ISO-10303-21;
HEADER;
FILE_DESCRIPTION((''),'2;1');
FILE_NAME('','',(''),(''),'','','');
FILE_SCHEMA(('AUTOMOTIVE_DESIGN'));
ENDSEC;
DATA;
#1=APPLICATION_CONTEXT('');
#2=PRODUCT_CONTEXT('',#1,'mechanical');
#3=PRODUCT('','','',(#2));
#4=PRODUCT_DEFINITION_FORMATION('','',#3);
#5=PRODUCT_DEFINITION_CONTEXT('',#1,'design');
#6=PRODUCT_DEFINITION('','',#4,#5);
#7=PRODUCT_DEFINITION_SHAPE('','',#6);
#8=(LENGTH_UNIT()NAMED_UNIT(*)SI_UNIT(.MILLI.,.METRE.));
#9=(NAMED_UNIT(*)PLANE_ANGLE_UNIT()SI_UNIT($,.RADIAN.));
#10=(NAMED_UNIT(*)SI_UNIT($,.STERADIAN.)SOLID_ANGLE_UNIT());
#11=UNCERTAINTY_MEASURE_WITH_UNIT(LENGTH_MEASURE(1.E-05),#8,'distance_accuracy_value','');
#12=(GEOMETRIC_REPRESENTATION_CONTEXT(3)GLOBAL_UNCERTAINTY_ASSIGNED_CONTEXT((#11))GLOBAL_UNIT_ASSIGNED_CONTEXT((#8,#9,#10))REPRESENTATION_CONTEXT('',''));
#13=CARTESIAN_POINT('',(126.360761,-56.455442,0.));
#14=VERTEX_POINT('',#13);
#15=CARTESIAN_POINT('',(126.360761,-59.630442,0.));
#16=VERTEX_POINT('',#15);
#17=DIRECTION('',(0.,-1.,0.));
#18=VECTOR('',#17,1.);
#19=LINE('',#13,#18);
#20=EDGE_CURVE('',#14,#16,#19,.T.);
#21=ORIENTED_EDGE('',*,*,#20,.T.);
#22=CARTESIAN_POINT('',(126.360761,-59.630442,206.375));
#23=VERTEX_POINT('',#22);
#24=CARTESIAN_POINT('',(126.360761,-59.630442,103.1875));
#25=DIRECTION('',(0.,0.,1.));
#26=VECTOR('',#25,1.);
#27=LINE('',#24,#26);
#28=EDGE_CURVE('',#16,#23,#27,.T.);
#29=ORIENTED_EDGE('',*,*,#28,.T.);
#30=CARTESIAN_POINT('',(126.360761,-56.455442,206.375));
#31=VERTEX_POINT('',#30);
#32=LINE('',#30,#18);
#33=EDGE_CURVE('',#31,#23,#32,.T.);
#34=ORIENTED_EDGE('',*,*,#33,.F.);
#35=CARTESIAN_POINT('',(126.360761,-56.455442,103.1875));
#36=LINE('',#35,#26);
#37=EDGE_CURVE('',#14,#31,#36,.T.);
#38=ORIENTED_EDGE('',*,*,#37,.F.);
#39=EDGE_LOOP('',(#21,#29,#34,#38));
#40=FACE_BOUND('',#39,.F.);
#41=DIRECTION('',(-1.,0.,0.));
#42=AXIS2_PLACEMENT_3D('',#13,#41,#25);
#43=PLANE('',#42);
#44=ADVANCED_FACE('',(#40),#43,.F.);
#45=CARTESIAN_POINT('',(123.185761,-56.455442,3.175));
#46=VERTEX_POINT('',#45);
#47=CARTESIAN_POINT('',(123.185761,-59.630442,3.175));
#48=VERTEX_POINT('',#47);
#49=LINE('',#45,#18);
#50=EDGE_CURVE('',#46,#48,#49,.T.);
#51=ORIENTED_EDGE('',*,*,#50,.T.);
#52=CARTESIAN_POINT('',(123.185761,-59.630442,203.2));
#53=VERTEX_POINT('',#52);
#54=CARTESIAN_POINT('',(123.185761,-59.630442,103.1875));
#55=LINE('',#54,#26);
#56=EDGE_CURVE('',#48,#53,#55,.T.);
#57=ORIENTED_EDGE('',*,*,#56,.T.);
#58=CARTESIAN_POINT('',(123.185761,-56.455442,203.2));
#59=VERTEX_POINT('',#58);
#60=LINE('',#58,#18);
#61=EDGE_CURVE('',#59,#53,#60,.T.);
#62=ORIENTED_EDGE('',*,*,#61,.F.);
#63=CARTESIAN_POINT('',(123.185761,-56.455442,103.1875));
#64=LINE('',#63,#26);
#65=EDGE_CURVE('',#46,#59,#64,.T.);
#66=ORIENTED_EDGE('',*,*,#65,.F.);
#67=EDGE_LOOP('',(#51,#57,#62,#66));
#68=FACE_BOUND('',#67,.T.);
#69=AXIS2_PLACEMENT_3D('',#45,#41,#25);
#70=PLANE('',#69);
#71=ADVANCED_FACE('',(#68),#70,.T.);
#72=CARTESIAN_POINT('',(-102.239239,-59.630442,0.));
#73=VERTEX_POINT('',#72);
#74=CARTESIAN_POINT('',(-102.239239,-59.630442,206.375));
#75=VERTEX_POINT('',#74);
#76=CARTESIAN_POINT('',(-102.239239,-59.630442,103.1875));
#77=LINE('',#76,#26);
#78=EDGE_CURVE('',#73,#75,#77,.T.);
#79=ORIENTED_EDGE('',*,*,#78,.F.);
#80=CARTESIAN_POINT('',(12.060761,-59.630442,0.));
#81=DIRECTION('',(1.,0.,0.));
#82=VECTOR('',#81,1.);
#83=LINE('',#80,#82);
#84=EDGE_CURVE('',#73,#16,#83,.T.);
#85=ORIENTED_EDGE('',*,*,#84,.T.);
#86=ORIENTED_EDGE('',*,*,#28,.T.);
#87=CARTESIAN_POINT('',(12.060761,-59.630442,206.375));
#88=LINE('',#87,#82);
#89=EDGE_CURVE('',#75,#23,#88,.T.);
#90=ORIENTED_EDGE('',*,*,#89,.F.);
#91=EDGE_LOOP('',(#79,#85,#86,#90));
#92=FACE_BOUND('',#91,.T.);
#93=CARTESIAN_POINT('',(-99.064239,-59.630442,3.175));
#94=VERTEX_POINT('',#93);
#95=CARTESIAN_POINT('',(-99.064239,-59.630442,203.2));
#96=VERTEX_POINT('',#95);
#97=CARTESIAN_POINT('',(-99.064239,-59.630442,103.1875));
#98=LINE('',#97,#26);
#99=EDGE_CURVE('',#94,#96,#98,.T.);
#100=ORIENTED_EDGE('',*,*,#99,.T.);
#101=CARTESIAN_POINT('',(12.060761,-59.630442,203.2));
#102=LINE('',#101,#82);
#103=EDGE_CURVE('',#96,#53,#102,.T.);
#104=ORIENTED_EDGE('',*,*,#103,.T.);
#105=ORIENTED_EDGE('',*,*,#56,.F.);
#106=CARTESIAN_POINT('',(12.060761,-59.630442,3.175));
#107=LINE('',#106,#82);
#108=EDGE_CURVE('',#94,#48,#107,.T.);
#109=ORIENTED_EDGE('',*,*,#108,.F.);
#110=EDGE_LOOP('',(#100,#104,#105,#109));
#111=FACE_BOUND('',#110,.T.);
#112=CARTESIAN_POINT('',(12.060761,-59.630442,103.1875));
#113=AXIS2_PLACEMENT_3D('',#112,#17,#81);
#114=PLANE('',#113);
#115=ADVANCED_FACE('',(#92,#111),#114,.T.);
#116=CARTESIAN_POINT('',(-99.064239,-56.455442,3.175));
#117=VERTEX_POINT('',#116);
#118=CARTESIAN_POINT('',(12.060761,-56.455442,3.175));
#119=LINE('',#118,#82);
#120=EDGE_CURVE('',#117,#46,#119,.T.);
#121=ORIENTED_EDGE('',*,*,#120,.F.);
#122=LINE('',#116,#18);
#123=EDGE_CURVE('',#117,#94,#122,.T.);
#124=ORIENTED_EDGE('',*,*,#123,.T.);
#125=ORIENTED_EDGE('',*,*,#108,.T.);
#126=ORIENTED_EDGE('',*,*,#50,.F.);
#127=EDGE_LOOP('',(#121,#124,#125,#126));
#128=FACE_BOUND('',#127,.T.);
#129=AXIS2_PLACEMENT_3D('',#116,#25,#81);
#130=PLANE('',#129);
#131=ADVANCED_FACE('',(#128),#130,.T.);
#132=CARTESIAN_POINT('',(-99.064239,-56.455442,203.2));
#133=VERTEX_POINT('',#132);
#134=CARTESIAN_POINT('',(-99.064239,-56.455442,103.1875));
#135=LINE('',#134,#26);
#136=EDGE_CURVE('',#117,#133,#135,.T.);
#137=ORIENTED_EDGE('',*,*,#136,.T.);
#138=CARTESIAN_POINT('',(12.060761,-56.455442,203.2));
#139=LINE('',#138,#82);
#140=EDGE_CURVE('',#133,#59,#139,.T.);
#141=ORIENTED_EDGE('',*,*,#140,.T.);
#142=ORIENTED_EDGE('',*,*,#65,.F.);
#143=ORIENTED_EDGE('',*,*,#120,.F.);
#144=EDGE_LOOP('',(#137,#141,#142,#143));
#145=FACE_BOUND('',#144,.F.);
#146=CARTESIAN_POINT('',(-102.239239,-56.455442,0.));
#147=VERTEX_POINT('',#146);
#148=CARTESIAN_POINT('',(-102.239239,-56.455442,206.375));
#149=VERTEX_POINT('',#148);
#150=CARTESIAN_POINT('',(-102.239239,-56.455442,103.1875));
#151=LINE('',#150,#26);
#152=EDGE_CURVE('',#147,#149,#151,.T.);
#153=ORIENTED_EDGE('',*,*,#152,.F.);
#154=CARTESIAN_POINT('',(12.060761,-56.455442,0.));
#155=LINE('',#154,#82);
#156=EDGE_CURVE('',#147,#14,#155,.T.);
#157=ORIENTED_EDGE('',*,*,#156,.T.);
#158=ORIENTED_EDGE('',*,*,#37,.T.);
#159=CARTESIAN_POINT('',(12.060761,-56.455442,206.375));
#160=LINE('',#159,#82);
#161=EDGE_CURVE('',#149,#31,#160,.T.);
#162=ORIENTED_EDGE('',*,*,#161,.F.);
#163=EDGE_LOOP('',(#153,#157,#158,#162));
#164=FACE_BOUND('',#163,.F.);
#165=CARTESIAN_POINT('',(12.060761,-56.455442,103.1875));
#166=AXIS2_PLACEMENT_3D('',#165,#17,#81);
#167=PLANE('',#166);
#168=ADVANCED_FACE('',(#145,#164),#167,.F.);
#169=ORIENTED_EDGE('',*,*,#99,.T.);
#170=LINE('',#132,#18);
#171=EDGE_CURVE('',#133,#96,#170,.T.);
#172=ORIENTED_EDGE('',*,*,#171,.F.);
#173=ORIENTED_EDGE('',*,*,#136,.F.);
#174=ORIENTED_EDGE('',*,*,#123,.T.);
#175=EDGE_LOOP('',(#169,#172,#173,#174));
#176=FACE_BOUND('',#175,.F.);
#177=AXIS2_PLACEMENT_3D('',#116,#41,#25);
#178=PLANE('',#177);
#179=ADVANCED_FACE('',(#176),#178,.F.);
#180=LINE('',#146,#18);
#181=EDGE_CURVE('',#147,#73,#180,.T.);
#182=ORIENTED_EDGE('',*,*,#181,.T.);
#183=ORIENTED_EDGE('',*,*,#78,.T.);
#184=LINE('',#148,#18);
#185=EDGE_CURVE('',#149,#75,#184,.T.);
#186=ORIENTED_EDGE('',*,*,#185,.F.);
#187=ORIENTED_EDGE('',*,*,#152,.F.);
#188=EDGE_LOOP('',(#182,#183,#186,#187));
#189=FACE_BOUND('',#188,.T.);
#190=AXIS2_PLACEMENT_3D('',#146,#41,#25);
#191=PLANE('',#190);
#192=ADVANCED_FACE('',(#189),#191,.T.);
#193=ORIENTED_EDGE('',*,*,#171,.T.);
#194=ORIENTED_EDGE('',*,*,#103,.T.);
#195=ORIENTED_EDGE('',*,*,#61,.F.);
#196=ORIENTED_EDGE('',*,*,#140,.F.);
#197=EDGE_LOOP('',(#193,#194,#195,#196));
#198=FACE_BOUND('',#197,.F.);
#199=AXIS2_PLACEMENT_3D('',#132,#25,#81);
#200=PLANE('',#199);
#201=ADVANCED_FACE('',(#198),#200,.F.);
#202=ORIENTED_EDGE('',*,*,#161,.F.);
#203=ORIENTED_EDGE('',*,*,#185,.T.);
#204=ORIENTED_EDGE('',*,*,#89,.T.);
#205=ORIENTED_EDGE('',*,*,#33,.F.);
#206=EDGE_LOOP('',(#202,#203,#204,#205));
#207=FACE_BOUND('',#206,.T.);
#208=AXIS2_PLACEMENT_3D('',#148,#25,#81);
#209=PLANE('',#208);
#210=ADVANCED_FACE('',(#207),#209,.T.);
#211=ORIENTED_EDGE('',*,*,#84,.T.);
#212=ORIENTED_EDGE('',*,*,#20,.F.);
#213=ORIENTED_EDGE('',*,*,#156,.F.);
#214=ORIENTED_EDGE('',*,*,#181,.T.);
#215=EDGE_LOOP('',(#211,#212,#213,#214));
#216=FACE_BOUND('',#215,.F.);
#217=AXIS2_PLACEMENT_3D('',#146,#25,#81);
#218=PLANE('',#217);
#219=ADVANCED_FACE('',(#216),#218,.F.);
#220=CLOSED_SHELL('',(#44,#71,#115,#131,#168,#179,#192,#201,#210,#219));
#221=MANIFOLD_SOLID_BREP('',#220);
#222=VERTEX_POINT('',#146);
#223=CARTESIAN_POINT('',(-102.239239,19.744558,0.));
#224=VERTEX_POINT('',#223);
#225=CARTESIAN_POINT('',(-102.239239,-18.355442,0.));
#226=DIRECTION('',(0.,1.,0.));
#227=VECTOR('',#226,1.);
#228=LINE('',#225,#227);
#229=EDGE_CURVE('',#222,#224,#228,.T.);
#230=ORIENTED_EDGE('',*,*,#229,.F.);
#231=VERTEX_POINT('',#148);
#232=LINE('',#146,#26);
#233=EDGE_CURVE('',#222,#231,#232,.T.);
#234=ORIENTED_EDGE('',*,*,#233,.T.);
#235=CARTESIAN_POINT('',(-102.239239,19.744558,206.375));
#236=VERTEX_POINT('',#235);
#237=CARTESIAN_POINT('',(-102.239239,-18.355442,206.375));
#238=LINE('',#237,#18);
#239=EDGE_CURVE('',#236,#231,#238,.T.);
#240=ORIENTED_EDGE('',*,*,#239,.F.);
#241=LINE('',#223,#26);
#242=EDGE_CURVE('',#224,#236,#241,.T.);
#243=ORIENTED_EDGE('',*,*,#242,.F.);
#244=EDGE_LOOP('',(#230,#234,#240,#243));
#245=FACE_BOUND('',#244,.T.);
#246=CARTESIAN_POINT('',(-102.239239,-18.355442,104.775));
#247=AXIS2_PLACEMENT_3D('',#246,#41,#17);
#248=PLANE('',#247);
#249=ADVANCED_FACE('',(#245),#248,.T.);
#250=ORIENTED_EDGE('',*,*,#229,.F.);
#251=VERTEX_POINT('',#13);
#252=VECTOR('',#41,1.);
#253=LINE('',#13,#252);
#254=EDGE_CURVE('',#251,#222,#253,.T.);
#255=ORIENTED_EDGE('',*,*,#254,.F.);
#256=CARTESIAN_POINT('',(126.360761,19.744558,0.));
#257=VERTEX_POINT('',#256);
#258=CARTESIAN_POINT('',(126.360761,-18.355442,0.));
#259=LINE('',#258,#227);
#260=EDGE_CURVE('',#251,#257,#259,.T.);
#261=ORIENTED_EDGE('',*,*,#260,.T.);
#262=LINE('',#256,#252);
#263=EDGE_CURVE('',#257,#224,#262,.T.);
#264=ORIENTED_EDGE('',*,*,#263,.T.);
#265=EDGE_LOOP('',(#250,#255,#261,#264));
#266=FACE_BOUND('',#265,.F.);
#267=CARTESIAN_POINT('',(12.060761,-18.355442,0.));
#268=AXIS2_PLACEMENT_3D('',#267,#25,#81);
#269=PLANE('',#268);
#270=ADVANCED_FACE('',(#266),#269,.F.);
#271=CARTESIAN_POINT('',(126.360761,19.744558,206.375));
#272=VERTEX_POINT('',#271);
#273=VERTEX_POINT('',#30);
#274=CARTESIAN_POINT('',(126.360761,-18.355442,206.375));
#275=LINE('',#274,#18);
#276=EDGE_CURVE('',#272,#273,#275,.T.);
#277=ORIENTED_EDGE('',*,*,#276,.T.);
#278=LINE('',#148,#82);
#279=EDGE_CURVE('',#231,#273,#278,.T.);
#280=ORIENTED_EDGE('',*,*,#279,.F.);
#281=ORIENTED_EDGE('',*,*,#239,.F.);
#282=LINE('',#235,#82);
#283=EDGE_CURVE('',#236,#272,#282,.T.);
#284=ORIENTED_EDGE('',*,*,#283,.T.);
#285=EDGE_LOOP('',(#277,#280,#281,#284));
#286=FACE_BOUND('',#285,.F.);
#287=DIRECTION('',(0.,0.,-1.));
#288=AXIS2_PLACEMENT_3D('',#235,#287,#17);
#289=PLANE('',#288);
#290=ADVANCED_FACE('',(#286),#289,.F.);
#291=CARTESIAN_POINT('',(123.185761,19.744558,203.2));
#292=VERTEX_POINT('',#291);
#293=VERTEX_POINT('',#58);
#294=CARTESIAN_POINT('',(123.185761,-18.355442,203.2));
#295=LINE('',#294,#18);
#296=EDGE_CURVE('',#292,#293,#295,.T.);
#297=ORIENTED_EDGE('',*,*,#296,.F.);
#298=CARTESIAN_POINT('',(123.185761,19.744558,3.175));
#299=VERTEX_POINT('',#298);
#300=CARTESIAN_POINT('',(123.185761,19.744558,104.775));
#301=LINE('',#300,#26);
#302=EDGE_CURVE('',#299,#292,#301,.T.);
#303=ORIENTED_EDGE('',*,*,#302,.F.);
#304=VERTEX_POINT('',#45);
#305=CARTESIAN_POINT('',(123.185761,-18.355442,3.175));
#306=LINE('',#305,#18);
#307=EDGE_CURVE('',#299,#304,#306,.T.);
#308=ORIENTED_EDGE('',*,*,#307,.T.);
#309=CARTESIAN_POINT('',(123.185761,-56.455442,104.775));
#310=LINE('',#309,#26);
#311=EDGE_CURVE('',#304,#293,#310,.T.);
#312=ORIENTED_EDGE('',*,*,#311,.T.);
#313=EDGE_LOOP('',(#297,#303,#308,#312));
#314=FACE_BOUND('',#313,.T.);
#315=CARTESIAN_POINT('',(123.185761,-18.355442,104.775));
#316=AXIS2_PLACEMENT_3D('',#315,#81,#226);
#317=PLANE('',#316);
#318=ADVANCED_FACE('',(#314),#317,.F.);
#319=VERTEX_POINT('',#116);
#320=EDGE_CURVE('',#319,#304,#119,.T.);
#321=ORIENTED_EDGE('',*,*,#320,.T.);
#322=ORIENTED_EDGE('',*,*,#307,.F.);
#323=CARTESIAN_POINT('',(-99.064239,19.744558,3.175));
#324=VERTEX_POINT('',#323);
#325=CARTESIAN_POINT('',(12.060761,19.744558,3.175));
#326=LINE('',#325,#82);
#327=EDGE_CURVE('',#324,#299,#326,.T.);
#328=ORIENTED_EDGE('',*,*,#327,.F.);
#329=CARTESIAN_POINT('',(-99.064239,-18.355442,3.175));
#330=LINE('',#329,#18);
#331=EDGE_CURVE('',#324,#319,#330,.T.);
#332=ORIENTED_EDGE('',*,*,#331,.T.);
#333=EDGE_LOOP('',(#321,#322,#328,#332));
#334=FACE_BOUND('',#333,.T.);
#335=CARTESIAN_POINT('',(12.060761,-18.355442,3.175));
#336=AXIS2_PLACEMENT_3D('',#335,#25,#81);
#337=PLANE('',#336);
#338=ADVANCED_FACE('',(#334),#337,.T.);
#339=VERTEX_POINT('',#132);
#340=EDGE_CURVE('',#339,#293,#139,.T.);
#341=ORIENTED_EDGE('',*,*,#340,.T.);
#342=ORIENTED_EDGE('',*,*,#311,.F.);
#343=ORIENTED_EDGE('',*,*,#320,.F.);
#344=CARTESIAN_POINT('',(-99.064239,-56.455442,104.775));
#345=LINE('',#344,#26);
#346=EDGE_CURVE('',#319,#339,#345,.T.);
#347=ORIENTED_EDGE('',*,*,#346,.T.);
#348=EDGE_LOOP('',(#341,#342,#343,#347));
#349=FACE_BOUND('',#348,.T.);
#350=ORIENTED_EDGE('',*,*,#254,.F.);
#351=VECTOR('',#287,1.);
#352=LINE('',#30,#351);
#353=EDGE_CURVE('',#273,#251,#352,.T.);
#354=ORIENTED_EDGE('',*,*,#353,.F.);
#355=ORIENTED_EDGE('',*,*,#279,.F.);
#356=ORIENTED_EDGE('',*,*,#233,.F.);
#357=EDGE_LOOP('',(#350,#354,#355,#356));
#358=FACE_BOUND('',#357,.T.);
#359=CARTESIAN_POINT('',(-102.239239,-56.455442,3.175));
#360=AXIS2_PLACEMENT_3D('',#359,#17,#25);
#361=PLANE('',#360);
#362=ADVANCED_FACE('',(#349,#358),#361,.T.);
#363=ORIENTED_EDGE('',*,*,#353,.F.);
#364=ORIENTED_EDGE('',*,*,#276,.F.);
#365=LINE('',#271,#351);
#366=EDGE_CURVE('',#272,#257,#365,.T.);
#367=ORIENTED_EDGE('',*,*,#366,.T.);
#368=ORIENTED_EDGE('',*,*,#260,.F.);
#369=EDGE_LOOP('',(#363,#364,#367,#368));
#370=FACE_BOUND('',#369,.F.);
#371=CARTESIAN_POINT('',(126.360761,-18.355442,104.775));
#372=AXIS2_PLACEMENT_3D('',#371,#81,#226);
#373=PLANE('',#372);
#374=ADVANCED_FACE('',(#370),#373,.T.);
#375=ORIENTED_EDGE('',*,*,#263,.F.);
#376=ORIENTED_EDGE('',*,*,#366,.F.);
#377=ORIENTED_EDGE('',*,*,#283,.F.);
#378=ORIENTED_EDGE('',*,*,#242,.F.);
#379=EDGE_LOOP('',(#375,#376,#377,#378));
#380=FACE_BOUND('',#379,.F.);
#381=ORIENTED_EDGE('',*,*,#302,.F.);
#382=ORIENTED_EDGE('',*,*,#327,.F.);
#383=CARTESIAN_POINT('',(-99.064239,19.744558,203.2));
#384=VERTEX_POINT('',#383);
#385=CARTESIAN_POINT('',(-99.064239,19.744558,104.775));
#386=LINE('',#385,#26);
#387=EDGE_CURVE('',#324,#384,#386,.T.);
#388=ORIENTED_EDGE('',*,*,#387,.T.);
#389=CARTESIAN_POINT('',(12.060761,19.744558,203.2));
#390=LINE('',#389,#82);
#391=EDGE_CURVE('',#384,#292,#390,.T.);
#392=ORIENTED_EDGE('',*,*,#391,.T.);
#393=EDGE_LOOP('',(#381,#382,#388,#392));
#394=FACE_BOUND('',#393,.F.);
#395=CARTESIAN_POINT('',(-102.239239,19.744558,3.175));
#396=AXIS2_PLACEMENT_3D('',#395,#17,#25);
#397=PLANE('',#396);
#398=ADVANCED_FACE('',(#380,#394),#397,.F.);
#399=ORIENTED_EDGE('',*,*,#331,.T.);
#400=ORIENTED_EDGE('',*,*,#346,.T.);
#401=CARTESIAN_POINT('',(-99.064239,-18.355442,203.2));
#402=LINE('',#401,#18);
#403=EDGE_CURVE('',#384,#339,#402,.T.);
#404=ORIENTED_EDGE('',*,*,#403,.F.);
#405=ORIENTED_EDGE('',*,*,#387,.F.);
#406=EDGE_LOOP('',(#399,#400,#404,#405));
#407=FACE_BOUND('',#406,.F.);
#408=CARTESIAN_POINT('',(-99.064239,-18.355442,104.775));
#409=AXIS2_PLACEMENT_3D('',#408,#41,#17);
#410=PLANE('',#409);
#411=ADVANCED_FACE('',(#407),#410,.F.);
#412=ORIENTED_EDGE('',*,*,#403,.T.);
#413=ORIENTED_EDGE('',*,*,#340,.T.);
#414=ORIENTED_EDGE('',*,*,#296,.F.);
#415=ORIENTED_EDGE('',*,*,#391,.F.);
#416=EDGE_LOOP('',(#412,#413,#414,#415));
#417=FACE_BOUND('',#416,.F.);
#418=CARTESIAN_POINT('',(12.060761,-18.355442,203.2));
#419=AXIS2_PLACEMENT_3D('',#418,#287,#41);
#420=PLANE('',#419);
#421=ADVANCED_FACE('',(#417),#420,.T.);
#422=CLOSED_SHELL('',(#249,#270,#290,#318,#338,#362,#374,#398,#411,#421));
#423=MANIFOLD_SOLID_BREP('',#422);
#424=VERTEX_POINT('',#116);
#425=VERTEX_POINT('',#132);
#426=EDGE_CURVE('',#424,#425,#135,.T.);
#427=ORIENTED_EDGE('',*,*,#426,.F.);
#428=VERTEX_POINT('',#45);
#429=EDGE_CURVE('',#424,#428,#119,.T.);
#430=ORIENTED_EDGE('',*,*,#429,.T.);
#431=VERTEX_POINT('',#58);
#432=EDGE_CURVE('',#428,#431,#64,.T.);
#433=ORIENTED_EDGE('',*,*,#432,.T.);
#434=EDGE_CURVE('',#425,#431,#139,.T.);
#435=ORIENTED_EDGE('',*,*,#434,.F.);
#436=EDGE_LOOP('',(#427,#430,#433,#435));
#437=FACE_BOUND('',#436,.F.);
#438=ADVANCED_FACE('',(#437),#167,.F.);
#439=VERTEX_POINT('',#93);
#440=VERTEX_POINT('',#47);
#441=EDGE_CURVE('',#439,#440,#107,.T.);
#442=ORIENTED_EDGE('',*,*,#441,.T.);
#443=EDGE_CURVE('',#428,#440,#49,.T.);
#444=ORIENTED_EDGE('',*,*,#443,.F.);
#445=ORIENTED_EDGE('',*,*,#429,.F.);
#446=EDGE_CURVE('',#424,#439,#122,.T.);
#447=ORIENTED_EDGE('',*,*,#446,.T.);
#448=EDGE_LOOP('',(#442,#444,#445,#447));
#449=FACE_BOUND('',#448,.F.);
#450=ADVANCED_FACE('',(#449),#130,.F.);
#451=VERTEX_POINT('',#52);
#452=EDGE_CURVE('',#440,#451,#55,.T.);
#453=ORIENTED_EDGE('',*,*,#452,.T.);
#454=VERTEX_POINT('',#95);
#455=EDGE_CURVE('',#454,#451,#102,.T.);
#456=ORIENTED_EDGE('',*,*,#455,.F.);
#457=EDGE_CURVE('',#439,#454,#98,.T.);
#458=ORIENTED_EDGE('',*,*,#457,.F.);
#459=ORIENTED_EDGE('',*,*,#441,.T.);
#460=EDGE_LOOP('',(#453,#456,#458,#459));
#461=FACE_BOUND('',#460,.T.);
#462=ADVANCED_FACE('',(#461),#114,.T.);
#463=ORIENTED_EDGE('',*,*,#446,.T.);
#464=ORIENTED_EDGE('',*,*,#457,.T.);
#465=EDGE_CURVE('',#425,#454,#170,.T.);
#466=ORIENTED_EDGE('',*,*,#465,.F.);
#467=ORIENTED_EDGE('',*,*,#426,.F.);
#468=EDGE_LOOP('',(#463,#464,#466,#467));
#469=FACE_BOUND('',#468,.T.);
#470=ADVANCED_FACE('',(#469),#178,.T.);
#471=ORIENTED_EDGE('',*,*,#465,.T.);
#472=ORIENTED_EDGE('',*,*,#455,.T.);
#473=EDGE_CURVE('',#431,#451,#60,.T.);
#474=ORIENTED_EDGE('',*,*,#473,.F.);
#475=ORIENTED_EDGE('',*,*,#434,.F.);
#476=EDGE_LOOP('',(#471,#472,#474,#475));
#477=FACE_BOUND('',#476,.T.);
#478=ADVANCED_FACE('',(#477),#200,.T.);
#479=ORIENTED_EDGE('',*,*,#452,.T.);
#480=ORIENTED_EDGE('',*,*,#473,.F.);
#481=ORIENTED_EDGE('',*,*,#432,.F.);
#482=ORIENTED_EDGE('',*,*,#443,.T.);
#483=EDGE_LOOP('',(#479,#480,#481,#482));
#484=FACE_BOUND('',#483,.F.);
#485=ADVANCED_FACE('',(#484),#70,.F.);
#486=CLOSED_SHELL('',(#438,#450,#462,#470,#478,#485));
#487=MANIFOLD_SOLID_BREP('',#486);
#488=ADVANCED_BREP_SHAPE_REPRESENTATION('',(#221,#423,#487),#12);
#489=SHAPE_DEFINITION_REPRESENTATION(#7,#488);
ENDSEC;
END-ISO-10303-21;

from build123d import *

# Parameters (mm, degrees)
F0_W      = 228.6
F0_H      = 76.2
F1_DEPTH  = 3.175
F2_W      = 76.2
F2_H      = 203.2
F3_DEPTH  = 3.175
F8_W      = 222.25
F8_H      = 200.025
F9_DEPTH  = 3.175
F10_W     = 228.6
F10_H     = 206.375
F10_W_2   = 222.25
F10_H_2   = 200.025
F11_DEPTH = 3.175


with BuildPart() as f1:
    # F0 (on Top) → F1 (new body)
    with BuildSketch(Plane.XY):
        with Locations((12.060761, -18.355442)):
            Rectangle(F0_W, F0_H)
    extrude(amount=F1_DEPTH)

    # F5: F3 across plane


with BuildPart() as f3:
    # F2 (on face) → F3 (new body)
    with BuildSketch(Plane(origin=(-102.239239, 0, 0), x_dir=(0, -1, 0), z_dir=(-1, 0, 0))):
        with Locations((18.355442, 104.775)):
            Rectangle(F2_W, F2_H)
    extrude(amount=-F3_DEPTH)


with BuildPart() as f1_1:
    add(f1.part)
    add(f3.part.mirror(Plane(origin=(12.060761, -18.355442, 1.5875), x_dir=(0, 1, 0), z_dir=(1, 0, 0))))


    add(f3.part)  # F7 merges F3
    # F7: F1 across plane


with BuildPart() as f1_2:
    add(f1_1.part)
    add(f1_1.part.mirror(Plane(origin=(-44.295489, -18.355442, 103.1875), x_dir=(1, 0, 0), z_dir=(0, 0, 1))))


with BuildPart() as f9:
    # F8 (on face) → F9 (new body)
    with BuildSketch(Plane.XZ.offset(56.455442)):
        with Locations((12.060761, 103.1875)):
            Rectangle(F8_W, F8_H)
    extrude(amount=F9_DEPTH)


with BuildPart() as f11:
    # F10 (on face) → F11 (new body, through all)
    with BuildSketch(Plane.XZ.offset(56.455442)):
        with Locations((12.060761, 103.1875)):
            Rectangle(F10_W, F10_H)
        with Locations((12.060761, 103.1875)):
            Rectangle(F10_W_2, F10_H_2, mode=Mode.SUBTRACT)
    extrude(amount=F11_DEPTH)


solid = Compound([f1_2.part, f9.part, f11.part])
